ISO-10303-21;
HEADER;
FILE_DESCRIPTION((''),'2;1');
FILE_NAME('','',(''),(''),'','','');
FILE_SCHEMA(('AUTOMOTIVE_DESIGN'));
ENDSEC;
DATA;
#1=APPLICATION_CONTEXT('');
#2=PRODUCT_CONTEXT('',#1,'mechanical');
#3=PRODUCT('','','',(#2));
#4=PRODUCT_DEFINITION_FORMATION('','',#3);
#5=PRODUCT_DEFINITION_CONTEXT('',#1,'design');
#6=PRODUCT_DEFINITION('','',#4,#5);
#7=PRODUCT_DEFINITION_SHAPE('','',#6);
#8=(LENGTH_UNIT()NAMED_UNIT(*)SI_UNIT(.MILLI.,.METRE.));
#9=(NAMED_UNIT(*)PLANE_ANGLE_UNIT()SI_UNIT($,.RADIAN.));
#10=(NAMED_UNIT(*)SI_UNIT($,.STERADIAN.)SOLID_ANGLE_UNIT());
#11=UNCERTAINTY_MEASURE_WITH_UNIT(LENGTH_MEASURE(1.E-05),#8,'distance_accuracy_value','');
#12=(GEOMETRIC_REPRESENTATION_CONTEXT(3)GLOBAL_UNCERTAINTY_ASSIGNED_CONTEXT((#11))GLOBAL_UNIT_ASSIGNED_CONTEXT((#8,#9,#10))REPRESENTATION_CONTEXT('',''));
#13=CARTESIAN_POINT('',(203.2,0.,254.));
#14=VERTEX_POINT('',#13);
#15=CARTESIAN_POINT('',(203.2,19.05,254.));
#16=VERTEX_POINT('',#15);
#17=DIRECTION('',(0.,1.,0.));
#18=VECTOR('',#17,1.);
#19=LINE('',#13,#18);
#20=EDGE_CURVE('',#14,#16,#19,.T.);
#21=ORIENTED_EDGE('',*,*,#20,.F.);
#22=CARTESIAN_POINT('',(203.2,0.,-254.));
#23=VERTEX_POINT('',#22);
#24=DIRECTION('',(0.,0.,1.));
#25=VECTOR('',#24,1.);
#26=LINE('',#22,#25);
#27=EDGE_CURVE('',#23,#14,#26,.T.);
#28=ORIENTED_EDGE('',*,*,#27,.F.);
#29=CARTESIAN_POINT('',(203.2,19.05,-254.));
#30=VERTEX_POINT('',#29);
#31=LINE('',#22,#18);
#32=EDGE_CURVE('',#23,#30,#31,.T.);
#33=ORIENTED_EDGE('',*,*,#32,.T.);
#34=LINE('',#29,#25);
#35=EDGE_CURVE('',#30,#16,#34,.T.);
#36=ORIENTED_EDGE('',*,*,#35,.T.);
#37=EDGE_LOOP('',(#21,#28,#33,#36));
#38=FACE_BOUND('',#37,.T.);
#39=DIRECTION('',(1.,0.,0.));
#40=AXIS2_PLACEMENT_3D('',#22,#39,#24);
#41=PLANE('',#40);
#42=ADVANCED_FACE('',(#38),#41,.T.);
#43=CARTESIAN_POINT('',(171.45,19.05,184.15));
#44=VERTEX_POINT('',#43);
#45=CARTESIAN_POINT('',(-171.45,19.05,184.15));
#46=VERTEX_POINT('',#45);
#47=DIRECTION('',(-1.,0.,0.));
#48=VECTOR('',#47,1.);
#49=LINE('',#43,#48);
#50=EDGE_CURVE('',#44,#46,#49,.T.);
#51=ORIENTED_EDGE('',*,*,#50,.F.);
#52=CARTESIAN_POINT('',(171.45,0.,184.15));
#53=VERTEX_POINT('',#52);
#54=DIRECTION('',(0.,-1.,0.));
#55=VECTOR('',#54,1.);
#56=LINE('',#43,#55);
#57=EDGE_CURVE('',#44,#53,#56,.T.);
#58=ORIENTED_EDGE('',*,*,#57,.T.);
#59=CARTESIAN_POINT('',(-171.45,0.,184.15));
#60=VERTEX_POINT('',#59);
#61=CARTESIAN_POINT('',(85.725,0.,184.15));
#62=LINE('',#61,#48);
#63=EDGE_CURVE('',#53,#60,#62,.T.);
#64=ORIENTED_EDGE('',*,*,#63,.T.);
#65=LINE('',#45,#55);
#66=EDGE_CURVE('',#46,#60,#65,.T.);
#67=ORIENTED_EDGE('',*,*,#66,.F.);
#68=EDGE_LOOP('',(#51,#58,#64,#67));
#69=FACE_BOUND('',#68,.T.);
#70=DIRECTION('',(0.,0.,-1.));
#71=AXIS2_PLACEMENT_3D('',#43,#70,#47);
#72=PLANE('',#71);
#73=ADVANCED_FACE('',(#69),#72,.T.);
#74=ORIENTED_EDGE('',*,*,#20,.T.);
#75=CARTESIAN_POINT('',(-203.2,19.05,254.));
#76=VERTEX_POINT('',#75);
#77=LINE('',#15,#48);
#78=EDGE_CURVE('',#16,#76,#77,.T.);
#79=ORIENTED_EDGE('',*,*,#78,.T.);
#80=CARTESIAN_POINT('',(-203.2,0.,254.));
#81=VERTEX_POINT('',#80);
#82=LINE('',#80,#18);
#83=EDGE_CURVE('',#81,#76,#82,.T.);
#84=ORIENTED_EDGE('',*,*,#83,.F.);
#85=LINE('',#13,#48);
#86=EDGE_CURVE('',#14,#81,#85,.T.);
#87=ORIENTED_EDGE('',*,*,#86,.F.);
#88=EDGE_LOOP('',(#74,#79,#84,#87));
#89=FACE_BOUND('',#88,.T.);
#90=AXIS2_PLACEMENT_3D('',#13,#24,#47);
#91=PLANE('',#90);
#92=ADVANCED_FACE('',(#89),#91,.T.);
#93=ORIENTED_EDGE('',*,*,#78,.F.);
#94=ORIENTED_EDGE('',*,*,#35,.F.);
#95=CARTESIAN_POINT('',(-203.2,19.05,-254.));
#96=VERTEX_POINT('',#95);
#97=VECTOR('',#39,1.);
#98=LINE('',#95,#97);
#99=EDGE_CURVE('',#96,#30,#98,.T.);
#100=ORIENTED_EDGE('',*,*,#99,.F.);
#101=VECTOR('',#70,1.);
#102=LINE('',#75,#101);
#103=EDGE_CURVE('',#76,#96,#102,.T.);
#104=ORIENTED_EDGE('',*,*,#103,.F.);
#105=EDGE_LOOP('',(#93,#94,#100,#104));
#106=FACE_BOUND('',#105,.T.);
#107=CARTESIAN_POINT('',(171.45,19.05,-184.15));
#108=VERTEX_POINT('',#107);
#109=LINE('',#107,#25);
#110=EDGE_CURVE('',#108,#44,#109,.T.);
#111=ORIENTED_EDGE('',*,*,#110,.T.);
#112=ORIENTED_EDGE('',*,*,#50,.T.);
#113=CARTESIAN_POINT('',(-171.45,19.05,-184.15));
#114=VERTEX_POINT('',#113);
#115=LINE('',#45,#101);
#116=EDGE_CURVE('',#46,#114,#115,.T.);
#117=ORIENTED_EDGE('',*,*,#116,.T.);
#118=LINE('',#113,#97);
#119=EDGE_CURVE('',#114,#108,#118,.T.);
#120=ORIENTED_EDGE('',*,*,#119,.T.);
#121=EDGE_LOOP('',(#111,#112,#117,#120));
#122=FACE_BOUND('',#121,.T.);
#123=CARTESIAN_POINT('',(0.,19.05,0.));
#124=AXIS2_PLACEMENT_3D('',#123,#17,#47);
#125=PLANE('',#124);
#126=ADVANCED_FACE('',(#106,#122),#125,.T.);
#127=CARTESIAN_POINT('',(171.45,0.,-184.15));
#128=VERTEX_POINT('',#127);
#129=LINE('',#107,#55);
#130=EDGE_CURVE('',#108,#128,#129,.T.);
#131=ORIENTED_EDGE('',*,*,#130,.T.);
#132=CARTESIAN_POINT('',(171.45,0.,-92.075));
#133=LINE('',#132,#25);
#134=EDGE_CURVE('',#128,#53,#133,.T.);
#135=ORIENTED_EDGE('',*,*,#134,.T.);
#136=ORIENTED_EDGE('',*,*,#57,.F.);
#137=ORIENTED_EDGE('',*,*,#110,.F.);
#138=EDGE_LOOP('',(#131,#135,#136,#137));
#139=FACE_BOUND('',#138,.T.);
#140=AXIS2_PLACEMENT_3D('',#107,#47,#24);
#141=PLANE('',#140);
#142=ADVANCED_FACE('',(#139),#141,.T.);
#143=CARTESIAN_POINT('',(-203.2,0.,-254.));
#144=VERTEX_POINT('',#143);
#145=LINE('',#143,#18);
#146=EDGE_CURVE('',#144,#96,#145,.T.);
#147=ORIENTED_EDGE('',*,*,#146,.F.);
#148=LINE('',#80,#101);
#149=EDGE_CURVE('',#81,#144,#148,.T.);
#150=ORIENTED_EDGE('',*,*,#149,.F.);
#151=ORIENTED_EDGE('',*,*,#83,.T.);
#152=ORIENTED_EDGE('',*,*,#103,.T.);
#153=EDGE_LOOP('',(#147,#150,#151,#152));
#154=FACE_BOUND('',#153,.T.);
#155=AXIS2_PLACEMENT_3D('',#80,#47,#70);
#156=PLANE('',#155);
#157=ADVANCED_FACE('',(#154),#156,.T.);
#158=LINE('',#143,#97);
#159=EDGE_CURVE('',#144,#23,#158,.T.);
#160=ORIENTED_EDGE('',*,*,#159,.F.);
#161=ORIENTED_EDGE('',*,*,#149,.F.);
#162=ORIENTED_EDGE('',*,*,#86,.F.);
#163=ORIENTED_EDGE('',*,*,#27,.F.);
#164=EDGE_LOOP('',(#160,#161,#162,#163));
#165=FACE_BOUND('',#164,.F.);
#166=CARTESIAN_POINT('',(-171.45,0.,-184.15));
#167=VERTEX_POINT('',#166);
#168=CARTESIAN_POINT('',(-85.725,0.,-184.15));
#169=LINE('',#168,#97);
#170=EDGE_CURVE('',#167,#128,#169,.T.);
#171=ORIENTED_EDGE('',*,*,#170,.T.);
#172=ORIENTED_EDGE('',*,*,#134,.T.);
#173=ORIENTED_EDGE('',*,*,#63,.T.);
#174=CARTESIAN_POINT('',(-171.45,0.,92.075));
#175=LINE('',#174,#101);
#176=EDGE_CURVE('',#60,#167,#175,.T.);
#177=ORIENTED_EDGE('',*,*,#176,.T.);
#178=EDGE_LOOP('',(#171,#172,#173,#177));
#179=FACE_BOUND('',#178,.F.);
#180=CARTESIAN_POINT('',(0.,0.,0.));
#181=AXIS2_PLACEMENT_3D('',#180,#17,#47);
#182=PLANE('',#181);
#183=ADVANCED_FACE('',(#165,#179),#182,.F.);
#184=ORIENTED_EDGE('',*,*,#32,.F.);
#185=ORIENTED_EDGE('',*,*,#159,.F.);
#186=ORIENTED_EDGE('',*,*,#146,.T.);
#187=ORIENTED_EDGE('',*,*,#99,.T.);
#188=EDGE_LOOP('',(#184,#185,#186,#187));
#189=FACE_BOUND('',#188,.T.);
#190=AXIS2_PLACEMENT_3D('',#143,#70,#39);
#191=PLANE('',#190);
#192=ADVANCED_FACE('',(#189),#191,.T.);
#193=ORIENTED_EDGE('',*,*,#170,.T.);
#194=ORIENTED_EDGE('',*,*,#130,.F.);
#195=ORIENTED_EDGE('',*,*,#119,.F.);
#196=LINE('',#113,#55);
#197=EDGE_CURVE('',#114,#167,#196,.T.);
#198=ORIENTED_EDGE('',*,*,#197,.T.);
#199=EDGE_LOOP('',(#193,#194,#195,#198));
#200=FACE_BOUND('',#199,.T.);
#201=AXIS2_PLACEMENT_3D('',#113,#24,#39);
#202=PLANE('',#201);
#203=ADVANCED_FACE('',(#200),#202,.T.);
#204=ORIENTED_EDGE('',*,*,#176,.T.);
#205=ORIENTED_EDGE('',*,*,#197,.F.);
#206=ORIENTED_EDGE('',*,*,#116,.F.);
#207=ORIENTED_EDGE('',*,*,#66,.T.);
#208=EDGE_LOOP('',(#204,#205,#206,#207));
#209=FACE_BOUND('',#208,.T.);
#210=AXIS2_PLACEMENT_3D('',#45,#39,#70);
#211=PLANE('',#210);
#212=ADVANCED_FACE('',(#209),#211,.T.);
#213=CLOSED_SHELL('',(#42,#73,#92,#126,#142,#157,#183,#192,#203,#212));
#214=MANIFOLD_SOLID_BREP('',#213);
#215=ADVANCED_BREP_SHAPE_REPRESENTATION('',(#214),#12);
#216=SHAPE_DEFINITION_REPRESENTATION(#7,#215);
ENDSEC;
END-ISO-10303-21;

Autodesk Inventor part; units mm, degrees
ref_plane "YZ Plane" through (0, 0, 0) normal (1, 0, 0) x (0, 1, 0)
ref_plane "XZ Plane" through (0, 0, 0) normal (0, 1, 0) x (-1, 0, 0)
ref_plane "XY Plane" through (0, 0, 0) normal (0, 0, 1) x (1, 0, 0)
sketch "Sketch1" plane through (0, 0, 0) normal (0, 1, 0) x (-1, 0, 0)
  line L0 (-203.2, 254) -> (203.2, 254)
  line L1 (203.2, 254) -> (203.2, -254)
  line L2 (203.2, -254) -> (-203.2, -254)
  line L3 (-203.2, -254) -> (-203.2, 254)
  line L4 (-203.2, 254) -> (203.2, -254) construction
  line L5 (203.2, 254) -> (-203.2, -254) construction
  point P0 (0, 0)
  dimension "d0" = 508
  dimension "d1" = 406.4
extrude "Extrusion1" add sketch "Sketch1" along normal blind 19.05
sketch "Sketch2" plane through (0, 19.05, 0) normal (0, 1, 0) x (1, 0, 0)
  line L0 (171.45, -184.15) -> (-171.45, -184.15)
  line L1 (-171.45, -184.15) -> (-171.45, 184.15)
  line L2 (-171.45, 184.15) -> (171.45, 184.15)
  line L3 (171.45, 184.15) -> (171.45, -184.15)
  line L4 (171.45, -184.15) -> (-171.45, 184.15) construction
  line L5 (-171.45, -184.15) -> (171.45, 184.15) construction
  point P0 (0, 0)
  dimension "d4" = 368.3
  dimension "d5" = 342.9
extrude "Extrusion2" cut sketch "Sketch2" against normal blind 25.4
properties part number "monitor frame part1 (for assembly)"
